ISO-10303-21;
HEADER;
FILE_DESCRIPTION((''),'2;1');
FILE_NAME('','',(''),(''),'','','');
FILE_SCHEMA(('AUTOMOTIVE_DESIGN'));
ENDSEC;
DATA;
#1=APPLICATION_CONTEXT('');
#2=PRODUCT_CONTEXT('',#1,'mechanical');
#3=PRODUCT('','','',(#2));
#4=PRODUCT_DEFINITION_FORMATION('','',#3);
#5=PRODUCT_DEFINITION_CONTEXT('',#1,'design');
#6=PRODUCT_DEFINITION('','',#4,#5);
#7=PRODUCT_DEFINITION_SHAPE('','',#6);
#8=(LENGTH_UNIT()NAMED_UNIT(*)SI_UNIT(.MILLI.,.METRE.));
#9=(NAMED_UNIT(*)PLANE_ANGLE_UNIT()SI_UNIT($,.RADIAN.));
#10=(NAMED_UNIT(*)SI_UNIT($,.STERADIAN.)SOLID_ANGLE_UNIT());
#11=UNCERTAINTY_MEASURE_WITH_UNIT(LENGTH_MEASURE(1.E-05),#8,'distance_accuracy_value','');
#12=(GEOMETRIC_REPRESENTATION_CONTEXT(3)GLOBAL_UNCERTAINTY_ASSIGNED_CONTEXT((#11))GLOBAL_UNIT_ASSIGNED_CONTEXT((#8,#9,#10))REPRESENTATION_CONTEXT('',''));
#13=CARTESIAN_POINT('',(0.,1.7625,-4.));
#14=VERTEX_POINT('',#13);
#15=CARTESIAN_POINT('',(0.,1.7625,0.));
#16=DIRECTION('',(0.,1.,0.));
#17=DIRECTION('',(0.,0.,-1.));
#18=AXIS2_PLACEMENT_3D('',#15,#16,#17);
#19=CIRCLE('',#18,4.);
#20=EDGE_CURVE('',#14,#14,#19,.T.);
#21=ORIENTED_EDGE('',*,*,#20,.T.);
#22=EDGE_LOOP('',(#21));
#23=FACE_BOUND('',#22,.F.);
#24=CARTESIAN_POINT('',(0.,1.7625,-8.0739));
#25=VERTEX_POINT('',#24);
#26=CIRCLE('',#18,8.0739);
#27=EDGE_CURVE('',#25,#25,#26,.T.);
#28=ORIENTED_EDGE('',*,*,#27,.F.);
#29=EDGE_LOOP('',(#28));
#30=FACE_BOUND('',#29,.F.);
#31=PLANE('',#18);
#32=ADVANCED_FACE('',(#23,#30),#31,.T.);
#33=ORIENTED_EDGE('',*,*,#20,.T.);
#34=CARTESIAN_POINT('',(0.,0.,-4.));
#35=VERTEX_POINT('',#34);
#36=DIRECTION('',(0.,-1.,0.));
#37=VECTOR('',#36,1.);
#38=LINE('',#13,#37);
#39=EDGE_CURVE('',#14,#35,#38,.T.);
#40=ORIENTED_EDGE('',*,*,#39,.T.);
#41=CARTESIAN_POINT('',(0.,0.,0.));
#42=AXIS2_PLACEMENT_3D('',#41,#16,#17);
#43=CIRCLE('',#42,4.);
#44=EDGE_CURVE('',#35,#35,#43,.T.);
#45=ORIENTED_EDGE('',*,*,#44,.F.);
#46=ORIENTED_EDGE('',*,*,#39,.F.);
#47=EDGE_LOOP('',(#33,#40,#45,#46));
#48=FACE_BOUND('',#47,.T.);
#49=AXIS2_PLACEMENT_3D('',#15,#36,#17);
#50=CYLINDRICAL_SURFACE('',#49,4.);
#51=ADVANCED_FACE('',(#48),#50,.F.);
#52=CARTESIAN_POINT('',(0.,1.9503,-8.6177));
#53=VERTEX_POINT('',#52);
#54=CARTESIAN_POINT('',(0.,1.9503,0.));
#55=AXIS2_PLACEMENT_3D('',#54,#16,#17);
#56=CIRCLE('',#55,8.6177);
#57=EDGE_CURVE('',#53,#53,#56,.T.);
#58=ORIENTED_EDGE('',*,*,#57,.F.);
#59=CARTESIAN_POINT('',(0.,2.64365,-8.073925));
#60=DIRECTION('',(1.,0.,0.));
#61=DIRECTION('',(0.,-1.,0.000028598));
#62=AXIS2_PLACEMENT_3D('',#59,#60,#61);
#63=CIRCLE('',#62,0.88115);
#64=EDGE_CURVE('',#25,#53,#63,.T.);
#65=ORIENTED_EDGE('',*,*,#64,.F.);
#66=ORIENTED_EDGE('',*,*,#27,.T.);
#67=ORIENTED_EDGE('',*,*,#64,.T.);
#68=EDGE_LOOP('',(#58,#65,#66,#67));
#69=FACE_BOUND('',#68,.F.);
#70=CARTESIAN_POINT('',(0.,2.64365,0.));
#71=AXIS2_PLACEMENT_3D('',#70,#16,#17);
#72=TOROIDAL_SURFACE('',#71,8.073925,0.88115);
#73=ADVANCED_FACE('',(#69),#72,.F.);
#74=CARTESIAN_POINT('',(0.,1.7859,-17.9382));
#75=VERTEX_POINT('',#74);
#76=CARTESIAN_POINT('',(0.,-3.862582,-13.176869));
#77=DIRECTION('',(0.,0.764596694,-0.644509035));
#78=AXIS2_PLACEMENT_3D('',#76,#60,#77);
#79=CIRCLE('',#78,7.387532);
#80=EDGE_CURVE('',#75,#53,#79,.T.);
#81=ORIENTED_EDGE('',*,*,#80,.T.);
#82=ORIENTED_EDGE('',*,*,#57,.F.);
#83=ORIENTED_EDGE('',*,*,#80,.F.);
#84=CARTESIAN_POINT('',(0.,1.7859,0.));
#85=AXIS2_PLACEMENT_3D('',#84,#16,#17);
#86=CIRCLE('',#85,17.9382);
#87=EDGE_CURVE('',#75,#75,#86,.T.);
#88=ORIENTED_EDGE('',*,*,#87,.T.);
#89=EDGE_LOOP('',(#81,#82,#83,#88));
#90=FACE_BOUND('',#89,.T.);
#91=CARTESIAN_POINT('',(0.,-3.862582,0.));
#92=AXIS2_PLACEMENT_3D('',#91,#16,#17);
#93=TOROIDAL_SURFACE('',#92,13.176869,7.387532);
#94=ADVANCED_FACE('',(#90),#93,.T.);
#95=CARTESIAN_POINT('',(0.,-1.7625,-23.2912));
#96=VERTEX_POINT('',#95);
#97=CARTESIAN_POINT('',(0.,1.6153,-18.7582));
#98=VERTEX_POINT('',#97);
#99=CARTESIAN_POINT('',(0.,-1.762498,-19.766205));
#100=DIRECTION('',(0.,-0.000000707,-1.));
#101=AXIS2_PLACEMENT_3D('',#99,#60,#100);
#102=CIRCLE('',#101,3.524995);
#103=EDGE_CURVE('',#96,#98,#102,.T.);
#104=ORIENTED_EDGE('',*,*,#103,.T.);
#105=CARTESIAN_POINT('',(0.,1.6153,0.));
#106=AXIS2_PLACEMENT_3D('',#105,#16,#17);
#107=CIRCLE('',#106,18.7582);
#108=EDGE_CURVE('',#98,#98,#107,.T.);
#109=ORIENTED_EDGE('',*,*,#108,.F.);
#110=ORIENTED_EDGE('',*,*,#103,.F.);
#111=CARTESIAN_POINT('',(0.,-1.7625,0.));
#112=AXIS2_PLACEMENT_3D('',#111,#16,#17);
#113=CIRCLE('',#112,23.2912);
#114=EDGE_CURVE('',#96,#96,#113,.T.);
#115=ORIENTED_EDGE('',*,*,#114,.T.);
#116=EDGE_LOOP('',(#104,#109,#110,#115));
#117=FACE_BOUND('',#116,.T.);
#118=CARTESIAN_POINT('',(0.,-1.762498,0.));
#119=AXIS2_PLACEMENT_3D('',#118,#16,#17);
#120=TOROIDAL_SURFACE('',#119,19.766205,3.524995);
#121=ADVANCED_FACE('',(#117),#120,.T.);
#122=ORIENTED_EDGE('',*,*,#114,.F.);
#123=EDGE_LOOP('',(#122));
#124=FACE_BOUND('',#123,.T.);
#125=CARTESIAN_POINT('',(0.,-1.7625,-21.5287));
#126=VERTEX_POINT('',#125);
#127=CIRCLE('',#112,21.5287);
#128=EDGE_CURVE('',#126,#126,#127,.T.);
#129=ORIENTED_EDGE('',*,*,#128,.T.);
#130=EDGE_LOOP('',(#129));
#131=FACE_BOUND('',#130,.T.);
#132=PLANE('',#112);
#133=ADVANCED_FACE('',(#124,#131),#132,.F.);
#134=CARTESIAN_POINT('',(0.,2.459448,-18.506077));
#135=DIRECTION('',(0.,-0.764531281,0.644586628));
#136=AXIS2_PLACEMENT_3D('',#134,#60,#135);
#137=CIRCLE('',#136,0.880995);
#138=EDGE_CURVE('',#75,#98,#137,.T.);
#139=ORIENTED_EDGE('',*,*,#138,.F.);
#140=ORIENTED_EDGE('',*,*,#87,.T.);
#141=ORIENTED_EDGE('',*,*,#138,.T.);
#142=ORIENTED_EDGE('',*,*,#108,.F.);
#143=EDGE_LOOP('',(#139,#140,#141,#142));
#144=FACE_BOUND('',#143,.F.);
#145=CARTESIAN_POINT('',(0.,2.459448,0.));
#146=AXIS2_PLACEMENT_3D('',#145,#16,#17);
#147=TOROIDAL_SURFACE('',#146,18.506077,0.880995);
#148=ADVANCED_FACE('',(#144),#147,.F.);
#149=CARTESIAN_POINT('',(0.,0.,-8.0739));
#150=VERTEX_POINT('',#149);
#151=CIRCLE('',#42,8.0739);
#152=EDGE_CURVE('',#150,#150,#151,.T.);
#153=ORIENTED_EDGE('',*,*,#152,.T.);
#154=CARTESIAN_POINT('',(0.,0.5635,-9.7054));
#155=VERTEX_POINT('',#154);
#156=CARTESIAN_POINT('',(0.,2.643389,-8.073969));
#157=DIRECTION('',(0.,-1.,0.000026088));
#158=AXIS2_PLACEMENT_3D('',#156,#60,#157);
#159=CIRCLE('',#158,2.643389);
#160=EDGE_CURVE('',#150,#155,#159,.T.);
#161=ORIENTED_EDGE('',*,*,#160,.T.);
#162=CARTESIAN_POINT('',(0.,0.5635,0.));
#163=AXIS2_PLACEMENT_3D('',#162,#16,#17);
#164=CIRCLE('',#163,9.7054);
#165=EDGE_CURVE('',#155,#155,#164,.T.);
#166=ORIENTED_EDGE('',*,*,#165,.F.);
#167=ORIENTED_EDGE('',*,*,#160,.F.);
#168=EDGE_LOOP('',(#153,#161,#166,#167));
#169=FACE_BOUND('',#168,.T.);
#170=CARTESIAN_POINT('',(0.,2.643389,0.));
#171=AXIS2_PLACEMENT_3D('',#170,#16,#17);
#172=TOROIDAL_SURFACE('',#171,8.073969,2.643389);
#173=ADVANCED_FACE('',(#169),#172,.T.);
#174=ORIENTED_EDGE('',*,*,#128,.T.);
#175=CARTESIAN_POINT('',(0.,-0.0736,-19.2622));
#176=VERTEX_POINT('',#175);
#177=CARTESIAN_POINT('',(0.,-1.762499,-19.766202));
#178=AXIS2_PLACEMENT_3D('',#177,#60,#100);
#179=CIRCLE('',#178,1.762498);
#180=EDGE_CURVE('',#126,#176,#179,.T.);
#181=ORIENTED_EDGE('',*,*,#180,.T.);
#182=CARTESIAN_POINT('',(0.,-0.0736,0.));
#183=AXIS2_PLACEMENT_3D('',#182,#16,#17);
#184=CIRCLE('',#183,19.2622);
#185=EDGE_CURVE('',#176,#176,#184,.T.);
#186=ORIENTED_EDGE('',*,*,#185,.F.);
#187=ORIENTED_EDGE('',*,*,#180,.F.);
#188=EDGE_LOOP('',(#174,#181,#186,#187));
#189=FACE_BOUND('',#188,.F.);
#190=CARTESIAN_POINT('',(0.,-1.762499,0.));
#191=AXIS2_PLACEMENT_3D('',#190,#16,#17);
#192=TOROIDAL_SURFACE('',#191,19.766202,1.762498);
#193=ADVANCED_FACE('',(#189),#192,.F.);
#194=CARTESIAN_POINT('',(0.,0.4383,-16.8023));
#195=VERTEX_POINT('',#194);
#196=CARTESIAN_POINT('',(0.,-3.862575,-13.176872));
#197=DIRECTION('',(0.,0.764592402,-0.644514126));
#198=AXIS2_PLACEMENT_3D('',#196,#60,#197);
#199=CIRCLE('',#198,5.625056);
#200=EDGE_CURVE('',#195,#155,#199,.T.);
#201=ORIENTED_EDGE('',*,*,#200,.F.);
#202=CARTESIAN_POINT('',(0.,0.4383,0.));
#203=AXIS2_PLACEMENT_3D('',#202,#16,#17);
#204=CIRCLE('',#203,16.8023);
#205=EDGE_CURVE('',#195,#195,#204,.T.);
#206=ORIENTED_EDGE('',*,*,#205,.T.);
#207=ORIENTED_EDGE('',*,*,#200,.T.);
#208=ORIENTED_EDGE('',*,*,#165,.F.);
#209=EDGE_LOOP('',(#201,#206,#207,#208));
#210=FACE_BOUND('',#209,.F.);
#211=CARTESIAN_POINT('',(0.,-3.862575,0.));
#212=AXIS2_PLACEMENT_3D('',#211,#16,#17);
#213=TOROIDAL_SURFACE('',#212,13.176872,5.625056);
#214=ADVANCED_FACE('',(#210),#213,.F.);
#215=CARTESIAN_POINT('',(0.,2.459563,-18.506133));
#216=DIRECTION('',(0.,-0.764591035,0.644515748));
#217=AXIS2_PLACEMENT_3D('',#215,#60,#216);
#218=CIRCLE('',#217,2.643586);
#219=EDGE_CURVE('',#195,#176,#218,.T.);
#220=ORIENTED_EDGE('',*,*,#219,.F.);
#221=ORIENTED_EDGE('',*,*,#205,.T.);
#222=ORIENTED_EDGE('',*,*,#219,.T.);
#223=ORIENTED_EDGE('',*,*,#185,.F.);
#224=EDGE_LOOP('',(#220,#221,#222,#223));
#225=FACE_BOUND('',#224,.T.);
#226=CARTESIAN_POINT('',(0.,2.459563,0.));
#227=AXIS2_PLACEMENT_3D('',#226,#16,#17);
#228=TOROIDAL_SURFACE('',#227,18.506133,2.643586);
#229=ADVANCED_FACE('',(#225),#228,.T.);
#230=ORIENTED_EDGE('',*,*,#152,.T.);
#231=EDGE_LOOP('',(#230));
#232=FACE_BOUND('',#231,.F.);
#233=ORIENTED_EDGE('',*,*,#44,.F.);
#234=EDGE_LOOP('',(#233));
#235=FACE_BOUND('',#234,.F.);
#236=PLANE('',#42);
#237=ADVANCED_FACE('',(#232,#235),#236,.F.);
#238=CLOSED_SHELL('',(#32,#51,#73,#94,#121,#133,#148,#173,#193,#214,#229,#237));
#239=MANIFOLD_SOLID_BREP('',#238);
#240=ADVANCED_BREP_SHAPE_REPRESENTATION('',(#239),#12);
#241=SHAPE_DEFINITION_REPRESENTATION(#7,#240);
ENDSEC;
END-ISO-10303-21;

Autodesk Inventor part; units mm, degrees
ref_plane "YZ Plane" through (0, 0, 0) normal (1, 0, 0) x (0, 1, 0)
ref_plane "XZ Plane" through (0, 0, 0) normal (0, 1, 0) x (-1, 0, 0)
ref_plane "XY Plane" through (0, 0, 0) normal (0, 0, 1) x (1, 0, 0)
sketch "Sketch1" plane through (0, 0, 0) normal (1, 0, 0) x (0, 1, 0)
  line L0 (1.7625, -4) -> (1.7625, -8.0739)
  arc A0 (0.4383, -16.8023) -> (0.5635, -9.7054) centre (-3.8625, -13.1769) ccw
  arc A1 (1.7625, -8.0739) -> (1.9503, -8.6177) centre (2.6438, -8.0739) ccw
  arc A2 (0, -8.0739) -> (0.5635, -9.7054) centre (2.6438, -8.0739) ccw
  arc A3 (-1.7625, -23.2912) -> (1.6153, -18.7582) centre (-1.7625, -19.7662) ccw
  arc A4 (-1.7625, -21.5287) -> (-0.0736, -19.2622) centre (-1.7625, -19.7662) ccw
  arc A5 (1.7859, -17.9382) -> (1.6153, -18.7582) centre (2.4597, -18.5062) ccw
  arc A6 (0.4383, -16.8023) -> (-0.0736, -19.2622) centre (2.4597, -18.5062) ccw
  arc A7 (1.7859, -17.9382) -> (1.9503, -8.6177) centre (-3.8625, -13.1769) ccw
  line L1 (-1.7625, -21.5287) -> (-1.7625, -23.2912)
  line L2 (0, 0) -> (0, 2.3127)
  line L3 (-5.3562, 0) -> (5.0998, 0) projected
  line L4 (1.7625, -4) -> (0, -4)
  line L5 (0, -8.0739) -> (0, -4)
  dimension "d1" = 21.5287
  dimension "d5" = 13.1769
  dimension "d6" = 0.8812
  dimension "d8" = 1.7625
  dimension "d9" = 1.7625
  dimension "d11" = 5.625
  dimension "d12" = 1.7625
  dimension "d13" = 1.7625
  dimension "d14" = 4
  dimension "d15" = 3.525
revolve "Revolution1" add sketch "Sketch1" angle 360 about axis through (0, -10, 0) along (0, 1, 0)
equation "\"d1\" = d2 + 0.3 * d19"
equation "\"d5\" = d32"
equation "\"d6\" = 0.5 * d19"
equation "\"d8\" = d19"
equation "\"d9\" = d3"
equation "\"d11\" = d29"
equation "\"d12\" = d19"
equation "\"d13\" = d12"
equation "\"d14\" = d25"
equation "\"d3\" = d19"
equation "\"d2\" = 21"
equation "\"d19\" = 1.7625"
equation "\"d32\" = 13.176899"
equation "\"d29\" = 5.625"
equation "\"d25\" = 4"
properties part number "Wheel 75 mm - Part 4" material "Steel, Galvanized"
